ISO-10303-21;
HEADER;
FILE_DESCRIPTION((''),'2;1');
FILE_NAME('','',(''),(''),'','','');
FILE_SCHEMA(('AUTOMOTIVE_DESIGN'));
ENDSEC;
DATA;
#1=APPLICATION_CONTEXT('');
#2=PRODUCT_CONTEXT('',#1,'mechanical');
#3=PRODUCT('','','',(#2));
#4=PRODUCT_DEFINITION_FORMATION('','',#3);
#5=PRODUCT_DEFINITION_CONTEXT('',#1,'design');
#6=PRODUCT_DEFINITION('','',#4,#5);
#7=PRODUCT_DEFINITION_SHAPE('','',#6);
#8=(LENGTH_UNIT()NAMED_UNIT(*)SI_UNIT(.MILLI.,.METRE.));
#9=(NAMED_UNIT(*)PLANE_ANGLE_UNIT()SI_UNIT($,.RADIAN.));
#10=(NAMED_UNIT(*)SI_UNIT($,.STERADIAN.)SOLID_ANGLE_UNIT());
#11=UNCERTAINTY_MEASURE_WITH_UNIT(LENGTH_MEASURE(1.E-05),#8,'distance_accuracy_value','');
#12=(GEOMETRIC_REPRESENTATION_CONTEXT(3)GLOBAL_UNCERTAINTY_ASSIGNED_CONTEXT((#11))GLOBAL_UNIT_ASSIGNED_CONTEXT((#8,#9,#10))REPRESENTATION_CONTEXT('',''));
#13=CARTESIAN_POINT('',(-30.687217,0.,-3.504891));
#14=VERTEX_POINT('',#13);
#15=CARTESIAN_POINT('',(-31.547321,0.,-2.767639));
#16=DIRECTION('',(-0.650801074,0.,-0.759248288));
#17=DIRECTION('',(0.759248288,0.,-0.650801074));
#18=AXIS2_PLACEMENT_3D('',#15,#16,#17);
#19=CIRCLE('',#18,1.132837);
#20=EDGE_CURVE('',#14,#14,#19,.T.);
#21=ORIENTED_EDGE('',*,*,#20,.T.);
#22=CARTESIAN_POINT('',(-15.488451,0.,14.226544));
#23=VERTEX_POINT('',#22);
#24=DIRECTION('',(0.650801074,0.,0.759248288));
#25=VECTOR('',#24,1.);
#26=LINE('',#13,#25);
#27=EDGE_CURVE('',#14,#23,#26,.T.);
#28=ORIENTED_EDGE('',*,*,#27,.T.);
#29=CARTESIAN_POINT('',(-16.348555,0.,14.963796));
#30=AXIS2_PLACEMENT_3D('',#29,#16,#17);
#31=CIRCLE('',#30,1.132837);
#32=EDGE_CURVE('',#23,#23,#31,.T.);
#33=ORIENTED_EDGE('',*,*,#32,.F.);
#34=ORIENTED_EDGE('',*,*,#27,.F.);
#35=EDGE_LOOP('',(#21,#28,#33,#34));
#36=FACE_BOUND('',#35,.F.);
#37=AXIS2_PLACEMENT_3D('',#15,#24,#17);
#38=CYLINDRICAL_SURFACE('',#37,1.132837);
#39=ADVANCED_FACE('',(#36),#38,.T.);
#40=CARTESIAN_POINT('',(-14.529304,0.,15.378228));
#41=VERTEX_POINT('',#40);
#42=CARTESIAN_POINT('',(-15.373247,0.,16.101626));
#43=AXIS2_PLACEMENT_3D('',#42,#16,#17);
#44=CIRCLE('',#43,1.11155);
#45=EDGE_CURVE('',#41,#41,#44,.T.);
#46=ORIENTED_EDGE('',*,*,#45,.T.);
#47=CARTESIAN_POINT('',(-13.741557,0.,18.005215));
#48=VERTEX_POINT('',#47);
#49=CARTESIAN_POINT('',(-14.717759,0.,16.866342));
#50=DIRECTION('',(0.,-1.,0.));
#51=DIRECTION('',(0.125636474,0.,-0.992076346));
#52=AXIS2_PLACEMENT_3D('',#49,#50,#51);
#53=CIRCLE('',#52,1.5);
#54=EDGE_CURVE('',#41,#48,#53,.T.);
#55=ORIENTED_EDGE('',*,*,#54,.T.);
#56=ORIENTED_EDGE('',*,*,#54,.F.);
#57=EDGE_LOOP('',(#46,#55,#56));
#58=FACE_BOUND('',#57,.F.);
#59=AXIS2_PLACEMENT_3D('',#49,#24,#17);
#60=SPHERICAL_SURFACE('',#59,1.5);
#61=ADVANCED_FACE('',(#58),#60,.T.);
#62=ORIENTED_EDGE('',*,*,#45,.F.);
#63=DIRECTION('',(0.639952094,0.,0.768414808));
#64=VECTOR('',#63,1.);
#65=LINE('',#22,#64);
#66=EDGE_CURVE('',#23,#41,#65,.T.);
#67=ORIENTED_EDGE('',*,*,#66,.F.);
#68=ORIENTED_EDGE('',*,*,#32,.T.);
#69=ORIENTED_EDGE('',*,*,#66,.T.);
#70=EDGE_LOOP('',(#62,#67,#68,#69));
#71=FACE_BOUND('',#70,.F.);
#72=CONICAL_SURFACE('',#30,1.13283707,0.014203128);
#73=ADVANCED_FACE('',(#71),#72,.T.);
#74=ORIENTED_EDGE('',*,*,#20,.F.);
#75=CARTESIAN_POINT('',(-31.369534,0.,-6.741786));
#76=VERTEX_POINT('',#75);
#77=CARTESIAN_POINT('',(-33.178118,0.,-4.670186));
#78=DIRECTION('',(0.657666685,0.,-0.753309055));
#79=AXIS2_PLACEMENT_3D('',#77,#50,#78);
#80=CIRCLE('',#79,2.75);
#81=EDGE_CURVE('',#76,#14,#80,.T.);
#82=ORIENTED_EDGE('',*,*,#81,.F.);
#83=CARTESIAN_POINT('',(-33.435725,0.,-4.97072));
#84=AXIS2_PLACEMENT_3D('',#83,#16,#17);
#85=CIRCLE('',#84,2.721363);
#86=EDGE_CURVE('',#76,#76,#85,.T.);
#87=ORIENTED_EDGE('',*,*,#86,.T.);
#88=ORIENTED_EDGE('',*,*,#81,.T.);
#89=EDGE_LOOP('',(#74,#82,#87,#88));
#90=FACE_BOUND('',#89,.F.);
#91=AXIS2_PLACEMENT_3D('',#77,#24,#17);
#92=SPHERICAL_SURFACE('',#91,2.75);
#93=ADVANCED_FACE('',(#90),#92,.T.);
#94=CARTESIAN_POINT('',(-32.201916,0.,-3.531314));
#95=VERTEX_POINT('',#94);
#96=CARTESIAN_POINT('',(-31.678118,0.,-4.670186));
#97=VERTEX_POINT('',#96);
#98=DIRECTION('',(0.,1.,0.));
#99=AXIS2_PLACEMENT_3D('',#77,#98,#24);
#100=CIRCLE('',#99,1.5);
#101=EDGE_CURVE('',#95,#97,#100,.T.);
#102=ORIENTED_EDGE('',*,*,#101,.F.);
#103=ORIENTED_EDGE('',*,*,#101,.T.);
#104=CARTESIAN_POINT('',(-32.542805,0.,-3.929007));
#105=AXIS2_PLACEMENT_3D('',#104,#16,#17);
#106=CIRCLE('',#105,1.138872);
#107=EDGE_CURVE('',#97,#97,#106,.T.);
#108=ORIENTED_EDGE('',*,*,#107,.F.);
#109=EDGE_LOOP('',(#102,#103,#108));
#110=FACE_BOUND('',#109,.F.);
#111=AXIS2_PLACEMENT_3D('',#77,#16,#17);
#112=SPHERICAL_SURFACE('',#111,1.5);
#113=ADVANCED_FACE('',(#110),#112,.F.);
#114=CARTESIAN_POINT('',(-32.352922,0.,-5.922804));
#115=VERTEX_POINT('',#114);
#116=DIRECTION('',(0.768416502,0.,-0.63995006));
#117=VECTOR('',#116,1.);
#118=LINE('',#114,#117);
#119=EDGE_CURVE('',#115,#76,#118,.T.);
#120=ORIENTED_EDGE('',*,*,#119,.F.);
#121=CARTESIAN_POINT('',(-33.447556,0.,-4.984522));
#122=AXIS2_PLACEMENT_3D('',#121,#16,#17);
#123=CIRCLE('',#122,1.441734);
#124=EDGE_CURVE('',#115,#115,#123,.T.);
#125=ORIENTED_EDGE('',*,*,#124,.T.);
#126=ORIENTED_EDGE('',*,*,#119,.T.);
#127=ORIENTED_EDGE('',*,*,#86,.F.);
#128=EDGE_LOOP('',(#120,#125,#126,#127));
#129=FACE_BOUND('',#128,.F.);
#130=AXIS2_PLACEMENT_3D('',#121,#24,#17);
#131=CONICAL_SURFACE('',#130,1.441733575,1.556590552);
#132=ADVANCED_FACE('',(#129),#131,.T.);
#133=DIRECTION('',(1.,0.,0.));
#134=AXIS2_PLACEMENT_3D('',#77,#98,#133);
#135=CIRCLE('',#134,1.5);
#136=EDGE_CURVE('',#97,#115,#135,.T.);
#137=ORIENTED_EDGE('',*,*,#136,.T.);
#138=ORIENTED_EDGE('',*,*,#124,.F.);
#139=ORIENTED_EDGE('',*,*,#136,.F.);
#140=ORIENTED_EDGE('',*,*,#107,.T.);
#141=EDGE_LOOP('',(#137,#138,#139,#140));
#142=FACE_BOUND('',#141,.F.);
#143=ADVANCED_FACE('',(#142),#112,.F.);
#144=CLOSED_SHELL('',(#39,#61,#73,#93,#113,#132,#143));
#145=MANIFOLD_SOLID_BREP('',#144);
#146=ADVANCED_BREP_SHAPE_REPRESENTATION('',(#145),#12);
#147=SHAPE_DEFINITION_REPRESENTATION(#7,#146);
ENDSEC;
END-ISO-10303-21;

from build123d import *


with BuildPart() as f1:
    # F0 (on Front) → F1 (revolve)
    with BuildSketch(Plane.XZ):
        with BuildLine():
            Line((-30.6872168456, -3.5048910814), (-15.4884507161, 14.2265442647))
            Line((-15.4884507161, 14.2265442647), (-14.5293042528, 15.3782278862))
            ThreePointArc((-14.5293042528, 15.3782278862), (-13.2809669828, 16.435495793), (-13.7415573534, 18.0052148369))
            Line((-13.7415573534, 18.0052148369), (-16.5074619164, 14.7784096138))
            Line((-16.5074619164, 14.7784096138), (-31.388414858, -2.5822532666))
            Line((-31.388414858, -2.5822532666), (-32.2019162, -3.5313136264))
            ThreePointArc((-32.2019162, -3.5313136264), (-31.8153444589, -4.0434095491), (-31.6781178105, -4.6701860581))
            ThreePointArc((-31.6781178105, -4.6701860581), (-31.8575510062, -5.3815954446), (-32.3529222308, -5.9228042183))
            Line((-32.3529222308, -5.9228042183), (-31.3695344278, -6.7417859586))
            ThreePointArc((-31.3695344278, -6.7417859586), (-30.4872511238, -5.2374042476), (-30.6872168456, -3.5048910814))
        make_face()
    revolve(axis=Axis((-23.9479383872, 0, 6.0980781736), (-0.6508010737, 0, -0.7592482878)))


solid = f1.part
